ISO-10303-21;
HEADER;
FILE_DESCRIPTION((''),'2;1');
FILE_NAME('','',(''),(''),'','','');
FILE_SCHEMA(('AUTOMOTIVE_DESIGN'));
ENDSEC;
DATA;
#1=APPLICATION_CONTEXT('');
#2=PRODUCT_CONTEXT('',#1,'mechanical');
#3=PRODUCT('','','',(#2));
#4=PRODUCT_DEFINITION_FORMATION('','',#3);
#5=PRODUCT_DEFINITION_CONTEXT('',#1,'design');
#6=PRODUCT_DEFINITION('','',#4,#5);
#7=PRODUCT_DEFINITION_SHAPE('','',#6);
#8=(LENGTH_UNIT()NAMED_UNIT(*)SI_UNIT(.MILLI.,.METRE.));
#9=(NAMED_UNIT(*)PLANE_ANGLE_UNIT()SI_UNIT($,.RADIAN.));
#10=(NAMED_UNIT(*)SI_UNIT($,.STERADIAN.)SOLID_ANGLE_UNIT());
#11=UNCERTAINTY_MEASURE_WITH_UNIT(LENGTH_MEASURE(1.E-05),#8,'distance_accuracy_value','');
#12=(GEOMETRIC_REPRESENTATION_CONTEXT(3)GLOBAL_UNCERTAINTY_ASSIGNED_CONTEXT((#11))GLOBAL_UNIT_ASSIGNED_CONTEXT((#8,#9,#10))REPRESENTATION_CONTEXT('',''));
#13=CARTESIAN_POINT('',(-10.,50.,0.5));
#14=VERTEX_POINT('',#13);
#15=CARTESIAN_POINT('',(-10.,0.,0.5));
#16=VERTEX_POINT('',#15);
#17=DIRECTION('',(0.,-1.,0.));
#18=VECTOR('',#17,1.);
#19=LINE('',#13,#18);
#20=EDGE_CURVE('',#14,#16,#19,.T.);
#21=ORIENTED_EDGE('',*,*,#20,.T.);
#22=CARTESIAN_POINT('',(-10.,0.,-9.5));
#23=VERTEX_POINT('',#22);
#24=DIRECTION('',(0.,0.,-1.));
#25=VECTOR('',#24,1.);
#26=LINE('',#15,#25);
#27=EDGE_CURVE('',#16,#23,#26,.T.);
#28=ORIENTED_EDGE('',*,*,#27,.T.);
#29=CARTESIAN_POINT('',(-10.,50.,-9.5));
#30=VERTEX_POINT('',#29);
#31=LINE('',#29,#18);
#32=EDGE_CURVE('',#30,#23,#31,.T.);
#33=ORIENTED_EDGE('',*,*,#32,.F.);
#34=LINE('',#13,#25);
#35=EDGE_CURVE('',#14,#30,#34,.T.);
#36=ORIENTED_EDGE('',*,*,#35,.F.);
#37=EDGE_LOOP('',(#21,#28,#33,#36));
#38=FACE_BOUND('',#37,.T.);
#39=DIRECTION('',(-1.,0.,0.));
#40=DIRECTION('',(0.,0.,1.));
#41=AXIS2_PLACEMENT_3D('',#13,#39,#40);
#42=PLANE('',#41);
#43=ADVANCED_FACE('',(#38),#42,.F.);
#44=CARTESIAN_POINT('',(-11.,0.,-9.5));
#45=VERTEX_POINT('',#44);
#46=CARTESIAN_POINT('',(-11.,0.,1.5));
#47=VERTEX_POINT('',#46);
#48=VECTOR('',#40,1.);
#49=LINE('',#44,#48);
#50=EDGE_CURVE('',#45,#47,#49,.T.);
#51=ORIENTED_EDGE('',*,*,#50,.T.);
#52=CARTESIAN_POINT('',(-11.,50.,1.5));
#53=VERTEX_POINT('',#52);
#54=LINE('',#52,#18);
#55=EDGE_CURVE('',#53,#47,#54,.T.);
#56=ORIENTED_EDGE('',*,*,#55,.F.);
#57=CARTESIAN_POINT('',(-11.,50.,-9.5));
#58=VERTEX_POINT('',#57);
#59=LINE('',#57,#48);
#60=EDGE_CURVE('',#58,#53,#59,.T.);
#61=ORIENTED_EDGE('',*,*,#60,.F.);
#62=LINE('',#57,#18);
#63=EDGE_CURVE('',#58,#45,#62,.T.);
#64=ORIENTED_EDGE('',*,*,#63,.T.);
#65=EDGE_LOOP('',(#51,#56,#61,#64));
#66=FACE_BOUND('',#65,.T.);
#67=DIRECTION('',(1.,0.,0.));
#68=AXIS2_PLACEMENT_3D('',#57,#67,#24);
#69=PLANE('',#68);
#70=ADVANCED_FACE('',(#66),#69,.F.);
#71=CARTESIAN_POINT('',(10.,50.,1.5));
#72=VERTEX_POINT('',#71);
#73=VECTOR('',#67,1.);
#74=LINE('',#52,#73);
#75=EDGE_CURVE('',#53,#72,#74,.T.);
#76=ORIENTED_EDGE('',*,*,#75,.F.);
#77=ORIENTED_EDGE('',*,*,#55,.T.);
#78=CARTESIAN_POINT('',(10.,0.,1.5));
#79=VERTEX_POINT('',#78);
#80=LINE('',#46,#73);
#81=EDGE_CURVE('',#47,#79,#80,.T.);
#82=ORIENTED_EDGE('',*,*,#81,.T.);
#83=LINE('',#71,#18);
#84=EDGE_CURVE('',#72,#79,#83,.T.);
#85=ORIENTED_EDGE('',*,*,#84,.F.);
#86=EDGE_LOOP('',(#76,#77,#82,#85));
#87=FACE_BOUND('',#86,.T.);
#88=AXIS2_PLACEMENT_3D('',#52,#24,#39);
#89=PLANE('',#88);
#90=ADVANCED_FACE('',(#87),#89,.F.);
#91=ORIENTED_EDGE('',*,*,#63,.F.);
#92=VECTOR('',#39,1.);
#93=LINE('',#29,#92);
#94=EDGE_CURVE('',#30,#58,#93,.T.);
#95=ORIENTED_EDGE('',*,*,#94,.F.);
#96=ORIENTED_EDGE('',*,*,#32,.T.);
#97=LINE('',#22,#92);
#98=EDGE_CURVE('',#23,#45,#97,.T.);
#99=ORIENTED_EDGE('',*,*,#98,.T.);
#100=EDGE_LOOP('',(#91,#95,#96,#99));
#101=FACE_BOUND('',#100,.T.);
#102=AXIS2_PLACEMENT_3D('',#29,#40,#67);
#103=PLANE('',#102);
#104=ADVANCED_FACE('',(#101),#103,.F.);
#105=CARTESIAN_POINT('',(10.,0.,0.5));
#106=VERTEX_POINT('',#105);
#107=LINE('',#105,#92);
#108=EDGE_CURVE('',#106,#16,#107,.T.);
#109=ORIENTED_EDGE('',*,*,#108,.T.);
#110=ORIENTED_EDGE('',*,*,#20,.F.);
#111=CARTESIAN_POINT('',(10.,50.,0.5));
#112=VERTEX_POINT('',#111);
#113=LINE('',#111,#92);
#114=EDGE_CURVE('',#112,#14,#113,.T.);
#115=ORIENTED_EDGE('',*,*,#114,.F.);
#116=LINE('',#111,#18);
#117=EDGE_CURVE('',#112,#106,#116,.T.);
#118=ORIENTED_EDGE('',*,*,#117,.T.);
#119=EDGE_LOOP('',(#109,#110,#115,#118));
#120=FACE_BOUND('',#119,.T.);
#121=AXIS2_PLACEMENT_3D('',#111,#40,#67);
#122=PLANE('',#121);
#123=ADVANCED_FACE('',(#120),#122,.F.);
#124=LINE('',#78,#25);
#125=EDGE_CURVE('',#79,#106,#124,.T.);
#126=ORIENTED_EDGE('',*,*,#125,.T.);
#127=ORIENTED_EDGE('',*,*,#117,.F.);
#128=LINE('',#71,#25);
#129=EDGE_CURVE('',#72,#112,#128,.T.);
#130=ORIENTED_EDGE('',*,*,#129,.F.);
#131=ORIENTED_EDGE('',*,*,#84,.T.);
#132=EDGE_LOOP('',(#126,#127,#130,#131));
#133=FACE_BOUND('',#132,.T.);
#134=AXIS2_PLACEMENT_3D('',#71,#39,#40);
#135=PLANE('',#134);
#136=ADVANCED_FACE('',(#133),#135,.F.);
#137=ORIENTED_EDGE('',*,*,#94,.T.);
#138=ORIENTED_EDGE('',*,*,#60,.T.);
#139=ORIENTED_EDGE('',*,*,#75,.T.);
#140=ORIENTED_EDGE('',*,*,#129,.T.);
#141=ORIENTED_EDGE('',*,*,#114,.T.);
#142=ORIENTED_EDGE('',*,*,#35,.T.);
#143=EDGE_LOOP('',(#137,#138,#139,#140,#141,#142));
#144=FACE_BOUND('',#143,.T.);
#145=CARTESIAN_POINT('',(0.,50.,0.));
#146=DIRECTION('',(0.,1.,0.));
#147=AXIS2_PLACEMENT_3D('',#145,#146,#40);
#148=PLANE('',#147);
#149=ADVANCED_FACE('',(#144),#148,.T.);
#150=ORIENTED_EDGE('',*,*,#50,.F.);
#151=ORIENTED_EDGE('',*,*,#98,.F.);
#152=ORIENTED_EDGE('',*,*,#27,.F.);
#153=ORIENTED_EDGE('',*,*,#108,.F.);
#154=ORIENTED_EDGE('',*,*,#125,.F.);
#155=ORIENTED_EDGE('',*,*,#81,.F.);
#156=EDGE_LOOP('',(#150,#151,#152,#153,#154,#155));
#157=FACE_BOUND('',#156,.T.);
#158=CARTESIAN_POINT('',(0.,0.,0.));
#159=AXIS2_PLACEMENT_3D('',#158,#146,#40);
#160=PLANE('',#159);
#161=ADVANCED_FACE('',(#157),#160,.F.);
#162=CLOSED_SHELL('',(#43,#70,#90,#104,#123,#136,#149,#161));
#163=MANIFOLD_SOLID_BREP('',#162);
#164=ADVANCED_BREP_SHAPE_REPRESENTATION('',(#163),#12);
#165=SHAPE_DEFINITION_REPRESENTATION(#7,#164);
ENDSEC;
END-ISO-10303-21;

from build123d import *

# Parameters (mm, degrees)
BOSS_EXTRU_1_DEPTH = 50


with BuildPart() as part:
    # Esquisse1 → Boss.-Extru.1 (new body)
    with BuildSketch(Plane(origin=(0, 0, 0), x_dir=(1, 0, 0), z_dir=(0, 1, 0))):
        Polygon((-11, 9.5), (-11, -1.5), (10, -1.5), (10, -0.5), (-10, -0.5), (-10, 9.5), align=None)
    extrude(amount=BOSS_EXTRU_1_DEPTH)


solid = part.part
